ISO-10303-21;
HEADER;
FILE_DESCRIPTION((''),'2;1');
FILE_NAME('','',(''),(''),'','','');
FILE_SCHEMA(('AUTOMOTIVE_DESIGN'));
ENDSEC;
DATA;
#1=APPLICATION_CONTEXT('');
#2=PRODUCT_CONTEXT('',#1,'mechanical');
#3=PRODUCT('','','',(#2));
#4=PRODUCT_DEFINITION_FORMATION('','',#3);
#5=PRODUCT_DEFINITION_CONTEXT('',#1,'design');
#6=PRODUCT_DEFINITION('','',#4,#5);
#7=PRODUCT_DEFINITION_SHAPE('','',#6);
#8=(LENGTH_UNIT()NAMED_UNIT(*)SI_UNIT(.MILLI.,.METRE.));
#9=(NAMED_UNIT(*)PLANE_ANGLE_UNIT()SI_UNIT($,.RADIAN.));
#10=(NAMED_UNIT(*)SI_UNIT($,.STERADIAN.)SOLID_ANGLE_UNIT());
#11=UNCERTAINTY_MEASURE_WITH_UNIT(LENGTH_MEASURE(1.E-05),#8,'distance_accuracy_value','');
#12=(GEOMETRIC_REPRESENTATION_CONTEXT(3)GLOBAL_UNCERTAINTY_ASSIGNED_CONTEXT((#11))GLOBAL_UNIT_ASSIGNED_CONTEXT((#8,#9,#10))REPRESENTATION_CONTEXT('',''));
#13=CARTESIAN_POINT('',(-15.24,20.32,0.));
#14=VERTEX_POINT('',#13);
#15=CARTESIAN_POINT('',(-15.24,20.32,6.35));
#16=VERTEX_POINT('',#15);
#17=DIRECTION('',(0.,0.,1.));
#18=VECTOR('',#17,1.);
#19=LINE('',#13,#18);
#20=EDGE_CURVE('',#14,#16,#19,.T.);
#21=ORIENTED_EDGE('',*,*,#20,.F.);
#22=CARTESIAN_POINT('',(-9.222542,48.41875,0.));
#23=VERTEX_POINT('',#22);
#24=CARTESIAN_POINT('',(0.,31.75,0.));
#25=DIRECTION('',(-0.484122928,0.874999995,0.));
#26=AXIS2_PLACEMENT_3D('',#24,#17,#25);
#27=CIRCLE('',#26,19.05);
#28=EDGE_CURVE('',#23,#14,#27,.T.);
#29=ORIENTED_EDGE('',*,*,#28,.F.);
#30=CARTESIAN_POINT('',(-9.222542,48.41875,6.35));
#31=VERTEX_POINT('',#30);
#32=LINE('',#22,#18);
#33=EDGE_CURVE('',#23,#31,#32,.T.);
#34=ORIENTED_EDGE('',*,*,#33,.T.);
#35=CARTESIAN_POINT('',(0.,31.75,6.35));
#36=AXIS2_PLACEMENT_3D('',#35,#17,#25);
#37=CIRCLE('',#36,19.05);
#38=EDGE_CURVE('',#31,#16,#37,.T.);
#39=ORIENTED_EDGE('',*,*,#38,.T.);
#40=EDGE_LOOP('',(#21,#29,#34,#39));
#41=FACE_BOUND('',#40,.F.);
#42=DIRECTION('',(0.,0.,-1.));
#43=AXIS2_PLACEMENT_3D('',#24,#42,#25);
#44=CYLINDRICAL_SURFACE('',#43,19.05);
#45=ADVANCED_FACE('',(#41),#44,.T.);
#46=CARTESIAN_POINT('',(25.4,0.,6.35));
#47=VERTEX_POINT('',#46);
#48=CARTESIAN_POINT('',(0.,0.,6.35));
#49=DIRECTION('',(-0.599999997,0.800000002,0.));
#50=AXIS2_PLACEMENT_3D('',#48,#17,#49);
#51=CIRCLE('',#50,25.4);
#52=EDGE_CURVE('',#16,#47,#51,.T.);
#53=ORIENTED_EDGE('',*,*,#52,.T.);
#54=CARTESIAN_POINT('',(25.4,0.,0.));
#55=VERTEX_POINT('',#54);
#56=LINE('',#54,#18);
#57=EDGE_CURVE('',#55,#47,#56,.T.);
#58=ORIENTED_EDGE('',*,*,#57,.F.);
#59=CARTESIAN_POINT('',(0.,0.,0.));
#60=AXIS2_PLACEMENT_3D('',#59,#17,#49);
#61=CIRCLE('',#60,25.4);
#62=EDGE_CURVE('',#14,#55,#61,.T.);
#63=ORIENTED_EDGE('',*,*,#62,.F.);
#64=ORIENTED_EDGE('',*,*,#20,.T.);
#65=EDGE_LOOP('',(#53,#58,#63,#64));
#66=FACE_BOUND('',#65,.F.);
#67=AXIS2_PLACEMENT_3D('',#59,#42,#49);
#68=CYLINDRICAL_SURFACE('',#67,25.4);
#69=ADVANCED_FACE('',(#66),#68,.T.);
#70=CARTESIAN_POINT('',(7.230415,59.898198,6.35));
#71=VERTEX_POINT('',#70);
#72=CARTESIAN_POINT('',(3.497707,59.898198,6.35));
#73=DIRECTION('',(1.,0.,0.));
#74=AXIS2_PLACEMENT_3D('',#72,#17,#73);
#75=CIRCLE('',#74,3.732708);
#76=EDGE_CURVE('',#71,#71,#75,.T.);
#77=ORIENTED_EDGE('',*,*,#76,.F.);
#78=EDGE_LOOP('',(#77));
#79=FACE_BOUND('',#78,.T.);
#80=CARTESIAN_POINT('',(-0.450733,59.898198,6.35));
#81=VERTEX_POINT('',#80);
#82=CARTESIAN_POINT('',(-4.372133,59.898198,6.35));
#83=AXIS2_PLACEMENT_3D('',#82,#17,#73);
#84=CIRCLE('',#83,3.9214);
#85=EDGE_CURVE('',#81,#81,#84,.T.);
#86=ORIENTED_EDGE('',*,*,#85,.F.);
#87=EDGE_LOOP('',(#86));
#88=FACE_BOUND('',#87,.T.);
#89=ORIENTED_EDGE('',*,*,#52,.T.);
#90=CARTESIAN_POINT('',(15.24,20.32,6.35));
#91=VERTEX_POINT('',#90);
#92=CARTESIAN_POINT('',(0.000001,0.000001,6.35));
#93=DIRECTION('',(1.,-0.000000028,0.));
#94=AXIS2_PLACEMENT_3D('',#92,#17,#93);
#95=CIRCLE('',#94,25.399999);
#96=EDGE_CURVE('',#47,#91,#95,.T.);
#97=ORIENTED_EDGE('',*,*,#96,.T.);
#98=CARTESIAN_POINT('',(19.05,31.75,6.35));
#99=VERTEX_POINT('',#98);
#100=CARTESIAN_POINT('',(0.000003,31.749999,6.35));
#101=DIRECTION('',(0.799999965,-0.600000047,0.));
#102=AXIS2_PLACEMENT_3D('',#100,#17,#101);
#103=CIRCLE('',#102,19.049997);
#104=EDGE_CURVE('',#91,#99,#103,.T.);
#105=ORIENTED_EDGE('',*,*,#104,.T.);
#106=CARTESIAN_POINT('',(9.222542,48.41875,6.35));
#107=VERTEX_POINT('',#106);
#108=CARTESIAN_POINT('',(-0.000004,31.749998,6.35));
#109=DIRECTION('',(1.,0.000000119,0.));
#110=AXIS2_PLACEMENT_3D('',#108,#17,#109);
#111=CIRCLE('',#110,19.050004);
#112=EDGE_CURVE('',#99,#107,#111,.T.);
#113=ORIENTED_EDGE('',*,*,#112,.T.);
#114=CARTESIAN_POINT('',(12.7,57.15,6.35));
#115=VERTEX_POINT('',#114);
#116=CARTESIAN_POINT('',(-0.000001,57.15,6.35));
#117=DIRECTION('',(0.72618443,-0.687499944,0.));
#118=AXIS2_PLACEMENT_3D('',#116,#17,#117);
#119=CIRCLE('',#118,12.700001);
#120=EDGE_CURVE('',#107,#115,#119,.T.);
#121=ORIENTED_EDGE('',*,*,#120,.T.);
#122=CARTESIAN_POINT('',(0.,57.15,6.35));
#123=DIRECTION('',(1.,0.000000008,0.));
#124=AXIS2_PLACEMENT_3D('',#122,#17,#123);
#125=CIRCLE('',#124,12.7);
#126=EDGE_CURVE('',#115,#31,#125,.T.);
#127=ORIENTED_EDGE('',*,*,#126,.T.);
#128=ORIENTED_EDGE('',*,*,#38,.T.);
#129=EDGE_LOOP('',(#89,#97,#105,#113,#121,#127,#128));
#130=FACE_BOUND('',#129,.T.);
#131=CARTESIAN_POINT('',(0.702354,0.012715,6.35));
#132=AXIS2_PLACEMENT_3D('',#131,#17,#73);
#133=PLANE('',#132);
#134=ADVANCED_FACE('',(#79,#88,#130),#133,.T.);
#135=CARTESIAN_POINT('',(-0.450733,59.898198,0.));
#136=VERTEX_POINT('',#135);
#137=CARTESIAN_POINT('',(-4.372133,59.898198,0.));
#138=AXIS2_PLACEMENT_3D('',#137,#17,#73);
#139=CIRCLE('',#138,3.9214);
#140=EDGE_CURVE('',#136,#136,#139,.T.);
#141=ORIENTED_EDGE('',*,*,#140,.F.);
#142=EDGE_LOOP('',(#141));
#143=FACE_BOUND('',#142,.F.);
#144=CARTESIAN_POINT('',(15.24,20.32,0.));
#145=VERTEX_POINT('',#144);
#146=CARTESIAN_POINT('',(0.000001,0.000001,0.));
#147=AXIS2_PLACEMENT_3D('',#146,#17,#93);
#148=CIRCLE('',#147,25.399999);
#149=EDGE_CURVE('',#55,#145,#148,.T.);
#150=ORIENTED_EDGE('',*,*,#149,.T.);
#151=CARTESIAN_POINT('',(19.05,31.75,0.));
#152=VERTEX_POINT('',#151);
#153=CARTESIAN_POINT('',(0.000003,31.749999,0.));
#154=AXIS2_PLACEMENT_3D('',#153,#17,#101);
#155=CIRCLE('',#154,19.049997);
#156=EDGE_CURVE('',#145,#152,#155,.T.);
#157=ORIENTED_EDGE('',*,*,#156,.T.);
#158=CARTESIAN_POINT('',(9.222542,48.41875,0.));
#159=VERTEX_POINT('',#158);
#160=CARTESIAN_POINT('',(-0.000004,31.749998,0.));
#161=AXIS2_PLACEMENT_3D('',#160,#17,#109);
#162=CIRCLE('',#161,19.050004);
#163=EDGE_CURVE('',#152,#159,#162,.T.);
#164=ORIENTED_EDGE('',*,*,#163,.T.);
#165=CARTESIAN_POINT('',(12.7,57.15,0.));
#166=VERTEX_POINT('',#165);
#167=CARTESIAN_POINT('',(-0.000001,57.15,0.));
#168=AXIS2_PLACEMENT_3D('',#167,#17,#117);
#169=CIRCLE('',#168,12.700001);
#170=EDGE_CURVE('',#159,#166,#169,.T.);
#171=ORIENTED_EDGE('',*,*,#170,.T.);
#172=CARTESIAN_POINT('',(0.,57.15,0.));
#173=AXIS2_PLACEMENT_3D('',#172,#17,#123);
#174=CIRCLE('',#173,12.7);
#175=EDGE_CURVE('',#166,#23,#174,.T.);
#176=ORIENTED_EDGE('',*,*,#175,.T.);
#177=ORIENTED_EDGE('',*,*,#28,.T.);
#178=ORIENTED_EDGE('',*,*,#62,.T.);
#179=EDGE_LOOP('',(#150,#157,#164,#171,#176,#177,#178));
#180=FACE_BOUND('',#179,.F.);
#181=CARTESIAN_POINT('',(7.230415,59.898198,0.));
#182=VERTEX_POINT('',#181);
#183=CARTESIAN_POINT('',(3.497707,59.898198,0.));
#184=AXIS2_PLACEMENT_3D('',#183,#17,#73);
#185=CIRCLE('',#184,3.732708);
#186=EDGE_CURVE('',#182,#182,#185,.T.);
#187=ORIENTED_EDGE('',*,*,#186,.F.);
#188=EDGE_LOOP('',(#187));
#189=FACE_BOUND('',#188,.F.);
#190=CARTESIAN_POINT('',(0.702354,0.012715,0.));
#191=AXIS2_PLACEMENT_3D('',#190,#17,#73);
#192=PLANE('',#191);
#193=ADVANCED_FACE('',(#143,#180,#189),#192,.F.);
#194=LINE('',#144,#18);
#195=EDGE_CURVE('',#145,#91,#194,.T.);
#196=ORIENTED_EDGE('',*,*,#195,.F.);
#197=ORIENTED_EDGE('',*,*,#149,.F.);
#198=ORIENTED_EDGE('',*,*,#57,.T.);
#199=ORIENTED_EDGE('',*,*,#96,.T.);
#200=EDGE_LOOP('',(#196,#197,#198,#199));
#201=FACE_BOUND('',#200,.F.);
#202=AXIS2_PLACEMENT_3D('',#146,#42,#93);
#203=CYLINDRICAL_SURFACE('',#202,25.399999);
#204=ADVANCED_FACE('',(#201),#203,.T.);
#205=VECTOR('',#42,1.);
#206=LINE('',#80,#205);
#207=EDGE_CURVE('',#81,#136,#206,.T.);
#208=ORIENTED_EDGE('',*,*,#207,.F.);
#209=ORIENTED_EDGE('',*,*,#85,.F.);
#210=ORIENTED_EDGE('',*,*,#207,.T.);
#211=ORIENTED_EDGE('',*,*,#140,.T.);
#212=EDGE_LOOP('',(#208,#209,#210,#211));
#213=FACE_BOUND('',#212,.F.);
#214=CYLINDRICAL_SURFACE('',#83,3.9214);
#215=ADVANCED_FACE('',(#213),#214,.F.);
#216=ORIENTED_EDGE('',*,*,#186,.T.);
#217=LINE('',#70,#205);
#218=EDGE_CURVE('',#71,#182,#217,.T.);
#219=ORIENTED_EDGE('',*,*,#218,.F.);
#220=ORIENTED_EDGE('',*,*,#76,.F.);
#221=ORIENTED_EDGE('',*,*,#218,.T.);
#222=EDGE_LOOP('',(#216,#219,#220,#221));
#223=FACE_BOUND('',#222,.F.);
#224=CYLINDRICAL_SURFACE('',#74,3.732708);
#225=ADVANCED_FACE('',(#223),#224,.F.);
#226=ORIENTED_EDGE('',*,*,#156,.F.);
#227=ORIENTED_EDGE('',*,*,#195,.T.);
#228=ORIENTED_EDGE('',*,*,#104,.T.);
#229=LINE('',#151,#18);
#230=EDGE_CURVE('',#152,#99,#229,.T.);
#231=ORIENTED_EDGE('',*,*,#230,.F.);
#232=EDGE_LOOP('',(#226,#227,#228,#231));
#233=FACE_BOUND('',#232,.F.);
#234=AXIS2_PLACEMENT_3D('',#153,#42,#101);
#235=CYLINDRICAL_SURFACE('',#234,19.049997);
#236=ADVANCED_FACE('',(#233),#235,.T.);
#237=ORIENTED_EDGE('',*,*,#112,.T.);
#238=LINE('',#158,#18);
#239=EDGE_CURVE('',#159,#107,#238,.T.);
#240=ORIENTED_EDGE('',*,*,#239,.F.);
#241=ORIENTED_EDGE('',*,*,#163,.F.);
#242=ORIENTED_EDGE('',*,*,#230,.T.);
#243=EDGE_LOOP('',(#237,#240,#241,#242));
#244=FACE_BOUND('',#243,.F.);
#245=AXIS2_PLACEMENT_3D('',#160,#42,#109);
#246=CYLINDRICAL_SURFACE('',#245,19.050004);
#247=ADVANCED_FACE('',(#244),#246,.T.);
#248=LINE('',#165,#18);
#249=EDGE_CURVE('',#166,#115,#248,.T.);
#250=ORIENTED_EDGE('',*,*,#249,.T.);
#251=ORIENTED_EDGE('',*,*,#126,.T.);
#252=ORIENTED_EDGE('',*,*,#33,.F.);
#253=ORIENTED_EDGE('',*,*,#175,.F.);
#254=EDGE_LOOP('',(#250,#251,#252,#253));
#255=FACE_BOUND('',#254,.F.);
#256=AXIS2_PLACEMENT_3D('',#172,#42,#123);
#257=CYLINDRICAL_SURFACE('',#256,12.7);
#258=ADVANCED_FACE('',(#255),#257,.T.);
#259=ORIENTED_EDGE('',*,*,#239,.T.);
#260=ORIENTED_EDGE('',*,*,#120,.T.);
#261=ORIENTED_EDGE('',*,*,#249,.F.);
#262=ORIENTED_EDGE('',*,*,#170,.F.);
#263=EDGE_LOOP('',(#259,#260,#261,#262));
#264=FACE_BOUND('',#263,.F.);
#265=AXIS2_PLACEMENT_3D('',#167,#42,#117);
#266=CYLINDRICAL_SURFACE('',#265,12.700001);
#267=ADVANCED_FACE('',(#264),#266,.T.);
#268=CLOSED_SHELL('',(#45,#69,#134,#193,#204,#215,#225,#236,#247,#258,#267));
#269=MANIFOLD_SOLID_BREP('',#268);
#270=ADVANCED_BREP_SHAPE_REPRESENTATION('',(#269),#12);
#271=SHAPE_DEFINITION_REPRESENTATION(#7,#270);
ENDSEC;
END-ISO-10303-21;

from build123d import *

# Parameters (mm, degrees)
F1_DEPTH = 6.35
F2_R     = 3.9214
F2_R_2   = 3.732708
F3_DEPTH = 25.4


with BuildPart() as f1:
    # F0 (on Top) → F1 (new body)
    with BuildSketch(Plane.XY):
        with BuildLine():
            ThreePointArc((-15.24, 20.32), (-11.359225, -22.718451), (25.4, 0))
            ThreePointArc((25.4, 0), (22.718451, 11.359225), (15.24, 20.32))
            ThreePointArc((15.24, 20.32), (0, 12.7), (-15.24, 20.32))
        make_face()
        with BuildLine():
            ThreePointArc((-15.24, 20.32), (0, 25.4), (15.24, 20.32))
            ThreePointArc((15.24, 20.32), (18.072417, 25.725861), (19.05, 31.75))
            ThreePointArc((19.05, 31.75), (16.410239, 41.425047), (9.222542, 48.41875))
            ThreePointArc((9.222542, 48.41875), (0, 44.45), (-9.222542, 48.41875))
            ThreePointArc((-9.222542, 48.41875), (-18.627639, 35.739182), (-15.24, 20.32))
        make_face()
        with BuildLine():
            ThreePointArc((12.7, 57.15), (-4.699134, 68.94865), (-9.222542, 48.41875))
            ThreePointArc((-9.222542, 48.41875), (0, 50.8), (9.222542, 48.41875))
            ThreePointArc((9.222542, 48.41875), (11.79865, 52.450866), (12.7, 57.15))
        make_face()
        with BuildLine():
            ThreePointArc((-15.24, 20.32), (0, 12.7), (15.24, 20.32))
            ThreePointArc((15.24, 20.32), (0, 25.4), (-15.24, 20.32))
        make_face()
        with BuildLine():
            ThreePointArc((9.222542, 48.41875), (0, 50.8), (-9.222542, 48.41875))
            ThreePointArc((-9.222542, 48.41875), (0, 44.45), (9.222542, 48.41875))
        make_face()
    extrude(amount=F1_DEPTH)

    # F2 (on face) → F3 (cut)
    with BuildSketch(Plane.XY.offset(6.35)):
        with Locations((-4.372133, 59.898198)):
            Circle(F2_R)
        with Locations((3.497707, 59.898198)):
            Circle(F2_R_2)
    extrude(amount=-F3_DEPTH, mode=Mode.SUBTRACT)


solid = f1.part
